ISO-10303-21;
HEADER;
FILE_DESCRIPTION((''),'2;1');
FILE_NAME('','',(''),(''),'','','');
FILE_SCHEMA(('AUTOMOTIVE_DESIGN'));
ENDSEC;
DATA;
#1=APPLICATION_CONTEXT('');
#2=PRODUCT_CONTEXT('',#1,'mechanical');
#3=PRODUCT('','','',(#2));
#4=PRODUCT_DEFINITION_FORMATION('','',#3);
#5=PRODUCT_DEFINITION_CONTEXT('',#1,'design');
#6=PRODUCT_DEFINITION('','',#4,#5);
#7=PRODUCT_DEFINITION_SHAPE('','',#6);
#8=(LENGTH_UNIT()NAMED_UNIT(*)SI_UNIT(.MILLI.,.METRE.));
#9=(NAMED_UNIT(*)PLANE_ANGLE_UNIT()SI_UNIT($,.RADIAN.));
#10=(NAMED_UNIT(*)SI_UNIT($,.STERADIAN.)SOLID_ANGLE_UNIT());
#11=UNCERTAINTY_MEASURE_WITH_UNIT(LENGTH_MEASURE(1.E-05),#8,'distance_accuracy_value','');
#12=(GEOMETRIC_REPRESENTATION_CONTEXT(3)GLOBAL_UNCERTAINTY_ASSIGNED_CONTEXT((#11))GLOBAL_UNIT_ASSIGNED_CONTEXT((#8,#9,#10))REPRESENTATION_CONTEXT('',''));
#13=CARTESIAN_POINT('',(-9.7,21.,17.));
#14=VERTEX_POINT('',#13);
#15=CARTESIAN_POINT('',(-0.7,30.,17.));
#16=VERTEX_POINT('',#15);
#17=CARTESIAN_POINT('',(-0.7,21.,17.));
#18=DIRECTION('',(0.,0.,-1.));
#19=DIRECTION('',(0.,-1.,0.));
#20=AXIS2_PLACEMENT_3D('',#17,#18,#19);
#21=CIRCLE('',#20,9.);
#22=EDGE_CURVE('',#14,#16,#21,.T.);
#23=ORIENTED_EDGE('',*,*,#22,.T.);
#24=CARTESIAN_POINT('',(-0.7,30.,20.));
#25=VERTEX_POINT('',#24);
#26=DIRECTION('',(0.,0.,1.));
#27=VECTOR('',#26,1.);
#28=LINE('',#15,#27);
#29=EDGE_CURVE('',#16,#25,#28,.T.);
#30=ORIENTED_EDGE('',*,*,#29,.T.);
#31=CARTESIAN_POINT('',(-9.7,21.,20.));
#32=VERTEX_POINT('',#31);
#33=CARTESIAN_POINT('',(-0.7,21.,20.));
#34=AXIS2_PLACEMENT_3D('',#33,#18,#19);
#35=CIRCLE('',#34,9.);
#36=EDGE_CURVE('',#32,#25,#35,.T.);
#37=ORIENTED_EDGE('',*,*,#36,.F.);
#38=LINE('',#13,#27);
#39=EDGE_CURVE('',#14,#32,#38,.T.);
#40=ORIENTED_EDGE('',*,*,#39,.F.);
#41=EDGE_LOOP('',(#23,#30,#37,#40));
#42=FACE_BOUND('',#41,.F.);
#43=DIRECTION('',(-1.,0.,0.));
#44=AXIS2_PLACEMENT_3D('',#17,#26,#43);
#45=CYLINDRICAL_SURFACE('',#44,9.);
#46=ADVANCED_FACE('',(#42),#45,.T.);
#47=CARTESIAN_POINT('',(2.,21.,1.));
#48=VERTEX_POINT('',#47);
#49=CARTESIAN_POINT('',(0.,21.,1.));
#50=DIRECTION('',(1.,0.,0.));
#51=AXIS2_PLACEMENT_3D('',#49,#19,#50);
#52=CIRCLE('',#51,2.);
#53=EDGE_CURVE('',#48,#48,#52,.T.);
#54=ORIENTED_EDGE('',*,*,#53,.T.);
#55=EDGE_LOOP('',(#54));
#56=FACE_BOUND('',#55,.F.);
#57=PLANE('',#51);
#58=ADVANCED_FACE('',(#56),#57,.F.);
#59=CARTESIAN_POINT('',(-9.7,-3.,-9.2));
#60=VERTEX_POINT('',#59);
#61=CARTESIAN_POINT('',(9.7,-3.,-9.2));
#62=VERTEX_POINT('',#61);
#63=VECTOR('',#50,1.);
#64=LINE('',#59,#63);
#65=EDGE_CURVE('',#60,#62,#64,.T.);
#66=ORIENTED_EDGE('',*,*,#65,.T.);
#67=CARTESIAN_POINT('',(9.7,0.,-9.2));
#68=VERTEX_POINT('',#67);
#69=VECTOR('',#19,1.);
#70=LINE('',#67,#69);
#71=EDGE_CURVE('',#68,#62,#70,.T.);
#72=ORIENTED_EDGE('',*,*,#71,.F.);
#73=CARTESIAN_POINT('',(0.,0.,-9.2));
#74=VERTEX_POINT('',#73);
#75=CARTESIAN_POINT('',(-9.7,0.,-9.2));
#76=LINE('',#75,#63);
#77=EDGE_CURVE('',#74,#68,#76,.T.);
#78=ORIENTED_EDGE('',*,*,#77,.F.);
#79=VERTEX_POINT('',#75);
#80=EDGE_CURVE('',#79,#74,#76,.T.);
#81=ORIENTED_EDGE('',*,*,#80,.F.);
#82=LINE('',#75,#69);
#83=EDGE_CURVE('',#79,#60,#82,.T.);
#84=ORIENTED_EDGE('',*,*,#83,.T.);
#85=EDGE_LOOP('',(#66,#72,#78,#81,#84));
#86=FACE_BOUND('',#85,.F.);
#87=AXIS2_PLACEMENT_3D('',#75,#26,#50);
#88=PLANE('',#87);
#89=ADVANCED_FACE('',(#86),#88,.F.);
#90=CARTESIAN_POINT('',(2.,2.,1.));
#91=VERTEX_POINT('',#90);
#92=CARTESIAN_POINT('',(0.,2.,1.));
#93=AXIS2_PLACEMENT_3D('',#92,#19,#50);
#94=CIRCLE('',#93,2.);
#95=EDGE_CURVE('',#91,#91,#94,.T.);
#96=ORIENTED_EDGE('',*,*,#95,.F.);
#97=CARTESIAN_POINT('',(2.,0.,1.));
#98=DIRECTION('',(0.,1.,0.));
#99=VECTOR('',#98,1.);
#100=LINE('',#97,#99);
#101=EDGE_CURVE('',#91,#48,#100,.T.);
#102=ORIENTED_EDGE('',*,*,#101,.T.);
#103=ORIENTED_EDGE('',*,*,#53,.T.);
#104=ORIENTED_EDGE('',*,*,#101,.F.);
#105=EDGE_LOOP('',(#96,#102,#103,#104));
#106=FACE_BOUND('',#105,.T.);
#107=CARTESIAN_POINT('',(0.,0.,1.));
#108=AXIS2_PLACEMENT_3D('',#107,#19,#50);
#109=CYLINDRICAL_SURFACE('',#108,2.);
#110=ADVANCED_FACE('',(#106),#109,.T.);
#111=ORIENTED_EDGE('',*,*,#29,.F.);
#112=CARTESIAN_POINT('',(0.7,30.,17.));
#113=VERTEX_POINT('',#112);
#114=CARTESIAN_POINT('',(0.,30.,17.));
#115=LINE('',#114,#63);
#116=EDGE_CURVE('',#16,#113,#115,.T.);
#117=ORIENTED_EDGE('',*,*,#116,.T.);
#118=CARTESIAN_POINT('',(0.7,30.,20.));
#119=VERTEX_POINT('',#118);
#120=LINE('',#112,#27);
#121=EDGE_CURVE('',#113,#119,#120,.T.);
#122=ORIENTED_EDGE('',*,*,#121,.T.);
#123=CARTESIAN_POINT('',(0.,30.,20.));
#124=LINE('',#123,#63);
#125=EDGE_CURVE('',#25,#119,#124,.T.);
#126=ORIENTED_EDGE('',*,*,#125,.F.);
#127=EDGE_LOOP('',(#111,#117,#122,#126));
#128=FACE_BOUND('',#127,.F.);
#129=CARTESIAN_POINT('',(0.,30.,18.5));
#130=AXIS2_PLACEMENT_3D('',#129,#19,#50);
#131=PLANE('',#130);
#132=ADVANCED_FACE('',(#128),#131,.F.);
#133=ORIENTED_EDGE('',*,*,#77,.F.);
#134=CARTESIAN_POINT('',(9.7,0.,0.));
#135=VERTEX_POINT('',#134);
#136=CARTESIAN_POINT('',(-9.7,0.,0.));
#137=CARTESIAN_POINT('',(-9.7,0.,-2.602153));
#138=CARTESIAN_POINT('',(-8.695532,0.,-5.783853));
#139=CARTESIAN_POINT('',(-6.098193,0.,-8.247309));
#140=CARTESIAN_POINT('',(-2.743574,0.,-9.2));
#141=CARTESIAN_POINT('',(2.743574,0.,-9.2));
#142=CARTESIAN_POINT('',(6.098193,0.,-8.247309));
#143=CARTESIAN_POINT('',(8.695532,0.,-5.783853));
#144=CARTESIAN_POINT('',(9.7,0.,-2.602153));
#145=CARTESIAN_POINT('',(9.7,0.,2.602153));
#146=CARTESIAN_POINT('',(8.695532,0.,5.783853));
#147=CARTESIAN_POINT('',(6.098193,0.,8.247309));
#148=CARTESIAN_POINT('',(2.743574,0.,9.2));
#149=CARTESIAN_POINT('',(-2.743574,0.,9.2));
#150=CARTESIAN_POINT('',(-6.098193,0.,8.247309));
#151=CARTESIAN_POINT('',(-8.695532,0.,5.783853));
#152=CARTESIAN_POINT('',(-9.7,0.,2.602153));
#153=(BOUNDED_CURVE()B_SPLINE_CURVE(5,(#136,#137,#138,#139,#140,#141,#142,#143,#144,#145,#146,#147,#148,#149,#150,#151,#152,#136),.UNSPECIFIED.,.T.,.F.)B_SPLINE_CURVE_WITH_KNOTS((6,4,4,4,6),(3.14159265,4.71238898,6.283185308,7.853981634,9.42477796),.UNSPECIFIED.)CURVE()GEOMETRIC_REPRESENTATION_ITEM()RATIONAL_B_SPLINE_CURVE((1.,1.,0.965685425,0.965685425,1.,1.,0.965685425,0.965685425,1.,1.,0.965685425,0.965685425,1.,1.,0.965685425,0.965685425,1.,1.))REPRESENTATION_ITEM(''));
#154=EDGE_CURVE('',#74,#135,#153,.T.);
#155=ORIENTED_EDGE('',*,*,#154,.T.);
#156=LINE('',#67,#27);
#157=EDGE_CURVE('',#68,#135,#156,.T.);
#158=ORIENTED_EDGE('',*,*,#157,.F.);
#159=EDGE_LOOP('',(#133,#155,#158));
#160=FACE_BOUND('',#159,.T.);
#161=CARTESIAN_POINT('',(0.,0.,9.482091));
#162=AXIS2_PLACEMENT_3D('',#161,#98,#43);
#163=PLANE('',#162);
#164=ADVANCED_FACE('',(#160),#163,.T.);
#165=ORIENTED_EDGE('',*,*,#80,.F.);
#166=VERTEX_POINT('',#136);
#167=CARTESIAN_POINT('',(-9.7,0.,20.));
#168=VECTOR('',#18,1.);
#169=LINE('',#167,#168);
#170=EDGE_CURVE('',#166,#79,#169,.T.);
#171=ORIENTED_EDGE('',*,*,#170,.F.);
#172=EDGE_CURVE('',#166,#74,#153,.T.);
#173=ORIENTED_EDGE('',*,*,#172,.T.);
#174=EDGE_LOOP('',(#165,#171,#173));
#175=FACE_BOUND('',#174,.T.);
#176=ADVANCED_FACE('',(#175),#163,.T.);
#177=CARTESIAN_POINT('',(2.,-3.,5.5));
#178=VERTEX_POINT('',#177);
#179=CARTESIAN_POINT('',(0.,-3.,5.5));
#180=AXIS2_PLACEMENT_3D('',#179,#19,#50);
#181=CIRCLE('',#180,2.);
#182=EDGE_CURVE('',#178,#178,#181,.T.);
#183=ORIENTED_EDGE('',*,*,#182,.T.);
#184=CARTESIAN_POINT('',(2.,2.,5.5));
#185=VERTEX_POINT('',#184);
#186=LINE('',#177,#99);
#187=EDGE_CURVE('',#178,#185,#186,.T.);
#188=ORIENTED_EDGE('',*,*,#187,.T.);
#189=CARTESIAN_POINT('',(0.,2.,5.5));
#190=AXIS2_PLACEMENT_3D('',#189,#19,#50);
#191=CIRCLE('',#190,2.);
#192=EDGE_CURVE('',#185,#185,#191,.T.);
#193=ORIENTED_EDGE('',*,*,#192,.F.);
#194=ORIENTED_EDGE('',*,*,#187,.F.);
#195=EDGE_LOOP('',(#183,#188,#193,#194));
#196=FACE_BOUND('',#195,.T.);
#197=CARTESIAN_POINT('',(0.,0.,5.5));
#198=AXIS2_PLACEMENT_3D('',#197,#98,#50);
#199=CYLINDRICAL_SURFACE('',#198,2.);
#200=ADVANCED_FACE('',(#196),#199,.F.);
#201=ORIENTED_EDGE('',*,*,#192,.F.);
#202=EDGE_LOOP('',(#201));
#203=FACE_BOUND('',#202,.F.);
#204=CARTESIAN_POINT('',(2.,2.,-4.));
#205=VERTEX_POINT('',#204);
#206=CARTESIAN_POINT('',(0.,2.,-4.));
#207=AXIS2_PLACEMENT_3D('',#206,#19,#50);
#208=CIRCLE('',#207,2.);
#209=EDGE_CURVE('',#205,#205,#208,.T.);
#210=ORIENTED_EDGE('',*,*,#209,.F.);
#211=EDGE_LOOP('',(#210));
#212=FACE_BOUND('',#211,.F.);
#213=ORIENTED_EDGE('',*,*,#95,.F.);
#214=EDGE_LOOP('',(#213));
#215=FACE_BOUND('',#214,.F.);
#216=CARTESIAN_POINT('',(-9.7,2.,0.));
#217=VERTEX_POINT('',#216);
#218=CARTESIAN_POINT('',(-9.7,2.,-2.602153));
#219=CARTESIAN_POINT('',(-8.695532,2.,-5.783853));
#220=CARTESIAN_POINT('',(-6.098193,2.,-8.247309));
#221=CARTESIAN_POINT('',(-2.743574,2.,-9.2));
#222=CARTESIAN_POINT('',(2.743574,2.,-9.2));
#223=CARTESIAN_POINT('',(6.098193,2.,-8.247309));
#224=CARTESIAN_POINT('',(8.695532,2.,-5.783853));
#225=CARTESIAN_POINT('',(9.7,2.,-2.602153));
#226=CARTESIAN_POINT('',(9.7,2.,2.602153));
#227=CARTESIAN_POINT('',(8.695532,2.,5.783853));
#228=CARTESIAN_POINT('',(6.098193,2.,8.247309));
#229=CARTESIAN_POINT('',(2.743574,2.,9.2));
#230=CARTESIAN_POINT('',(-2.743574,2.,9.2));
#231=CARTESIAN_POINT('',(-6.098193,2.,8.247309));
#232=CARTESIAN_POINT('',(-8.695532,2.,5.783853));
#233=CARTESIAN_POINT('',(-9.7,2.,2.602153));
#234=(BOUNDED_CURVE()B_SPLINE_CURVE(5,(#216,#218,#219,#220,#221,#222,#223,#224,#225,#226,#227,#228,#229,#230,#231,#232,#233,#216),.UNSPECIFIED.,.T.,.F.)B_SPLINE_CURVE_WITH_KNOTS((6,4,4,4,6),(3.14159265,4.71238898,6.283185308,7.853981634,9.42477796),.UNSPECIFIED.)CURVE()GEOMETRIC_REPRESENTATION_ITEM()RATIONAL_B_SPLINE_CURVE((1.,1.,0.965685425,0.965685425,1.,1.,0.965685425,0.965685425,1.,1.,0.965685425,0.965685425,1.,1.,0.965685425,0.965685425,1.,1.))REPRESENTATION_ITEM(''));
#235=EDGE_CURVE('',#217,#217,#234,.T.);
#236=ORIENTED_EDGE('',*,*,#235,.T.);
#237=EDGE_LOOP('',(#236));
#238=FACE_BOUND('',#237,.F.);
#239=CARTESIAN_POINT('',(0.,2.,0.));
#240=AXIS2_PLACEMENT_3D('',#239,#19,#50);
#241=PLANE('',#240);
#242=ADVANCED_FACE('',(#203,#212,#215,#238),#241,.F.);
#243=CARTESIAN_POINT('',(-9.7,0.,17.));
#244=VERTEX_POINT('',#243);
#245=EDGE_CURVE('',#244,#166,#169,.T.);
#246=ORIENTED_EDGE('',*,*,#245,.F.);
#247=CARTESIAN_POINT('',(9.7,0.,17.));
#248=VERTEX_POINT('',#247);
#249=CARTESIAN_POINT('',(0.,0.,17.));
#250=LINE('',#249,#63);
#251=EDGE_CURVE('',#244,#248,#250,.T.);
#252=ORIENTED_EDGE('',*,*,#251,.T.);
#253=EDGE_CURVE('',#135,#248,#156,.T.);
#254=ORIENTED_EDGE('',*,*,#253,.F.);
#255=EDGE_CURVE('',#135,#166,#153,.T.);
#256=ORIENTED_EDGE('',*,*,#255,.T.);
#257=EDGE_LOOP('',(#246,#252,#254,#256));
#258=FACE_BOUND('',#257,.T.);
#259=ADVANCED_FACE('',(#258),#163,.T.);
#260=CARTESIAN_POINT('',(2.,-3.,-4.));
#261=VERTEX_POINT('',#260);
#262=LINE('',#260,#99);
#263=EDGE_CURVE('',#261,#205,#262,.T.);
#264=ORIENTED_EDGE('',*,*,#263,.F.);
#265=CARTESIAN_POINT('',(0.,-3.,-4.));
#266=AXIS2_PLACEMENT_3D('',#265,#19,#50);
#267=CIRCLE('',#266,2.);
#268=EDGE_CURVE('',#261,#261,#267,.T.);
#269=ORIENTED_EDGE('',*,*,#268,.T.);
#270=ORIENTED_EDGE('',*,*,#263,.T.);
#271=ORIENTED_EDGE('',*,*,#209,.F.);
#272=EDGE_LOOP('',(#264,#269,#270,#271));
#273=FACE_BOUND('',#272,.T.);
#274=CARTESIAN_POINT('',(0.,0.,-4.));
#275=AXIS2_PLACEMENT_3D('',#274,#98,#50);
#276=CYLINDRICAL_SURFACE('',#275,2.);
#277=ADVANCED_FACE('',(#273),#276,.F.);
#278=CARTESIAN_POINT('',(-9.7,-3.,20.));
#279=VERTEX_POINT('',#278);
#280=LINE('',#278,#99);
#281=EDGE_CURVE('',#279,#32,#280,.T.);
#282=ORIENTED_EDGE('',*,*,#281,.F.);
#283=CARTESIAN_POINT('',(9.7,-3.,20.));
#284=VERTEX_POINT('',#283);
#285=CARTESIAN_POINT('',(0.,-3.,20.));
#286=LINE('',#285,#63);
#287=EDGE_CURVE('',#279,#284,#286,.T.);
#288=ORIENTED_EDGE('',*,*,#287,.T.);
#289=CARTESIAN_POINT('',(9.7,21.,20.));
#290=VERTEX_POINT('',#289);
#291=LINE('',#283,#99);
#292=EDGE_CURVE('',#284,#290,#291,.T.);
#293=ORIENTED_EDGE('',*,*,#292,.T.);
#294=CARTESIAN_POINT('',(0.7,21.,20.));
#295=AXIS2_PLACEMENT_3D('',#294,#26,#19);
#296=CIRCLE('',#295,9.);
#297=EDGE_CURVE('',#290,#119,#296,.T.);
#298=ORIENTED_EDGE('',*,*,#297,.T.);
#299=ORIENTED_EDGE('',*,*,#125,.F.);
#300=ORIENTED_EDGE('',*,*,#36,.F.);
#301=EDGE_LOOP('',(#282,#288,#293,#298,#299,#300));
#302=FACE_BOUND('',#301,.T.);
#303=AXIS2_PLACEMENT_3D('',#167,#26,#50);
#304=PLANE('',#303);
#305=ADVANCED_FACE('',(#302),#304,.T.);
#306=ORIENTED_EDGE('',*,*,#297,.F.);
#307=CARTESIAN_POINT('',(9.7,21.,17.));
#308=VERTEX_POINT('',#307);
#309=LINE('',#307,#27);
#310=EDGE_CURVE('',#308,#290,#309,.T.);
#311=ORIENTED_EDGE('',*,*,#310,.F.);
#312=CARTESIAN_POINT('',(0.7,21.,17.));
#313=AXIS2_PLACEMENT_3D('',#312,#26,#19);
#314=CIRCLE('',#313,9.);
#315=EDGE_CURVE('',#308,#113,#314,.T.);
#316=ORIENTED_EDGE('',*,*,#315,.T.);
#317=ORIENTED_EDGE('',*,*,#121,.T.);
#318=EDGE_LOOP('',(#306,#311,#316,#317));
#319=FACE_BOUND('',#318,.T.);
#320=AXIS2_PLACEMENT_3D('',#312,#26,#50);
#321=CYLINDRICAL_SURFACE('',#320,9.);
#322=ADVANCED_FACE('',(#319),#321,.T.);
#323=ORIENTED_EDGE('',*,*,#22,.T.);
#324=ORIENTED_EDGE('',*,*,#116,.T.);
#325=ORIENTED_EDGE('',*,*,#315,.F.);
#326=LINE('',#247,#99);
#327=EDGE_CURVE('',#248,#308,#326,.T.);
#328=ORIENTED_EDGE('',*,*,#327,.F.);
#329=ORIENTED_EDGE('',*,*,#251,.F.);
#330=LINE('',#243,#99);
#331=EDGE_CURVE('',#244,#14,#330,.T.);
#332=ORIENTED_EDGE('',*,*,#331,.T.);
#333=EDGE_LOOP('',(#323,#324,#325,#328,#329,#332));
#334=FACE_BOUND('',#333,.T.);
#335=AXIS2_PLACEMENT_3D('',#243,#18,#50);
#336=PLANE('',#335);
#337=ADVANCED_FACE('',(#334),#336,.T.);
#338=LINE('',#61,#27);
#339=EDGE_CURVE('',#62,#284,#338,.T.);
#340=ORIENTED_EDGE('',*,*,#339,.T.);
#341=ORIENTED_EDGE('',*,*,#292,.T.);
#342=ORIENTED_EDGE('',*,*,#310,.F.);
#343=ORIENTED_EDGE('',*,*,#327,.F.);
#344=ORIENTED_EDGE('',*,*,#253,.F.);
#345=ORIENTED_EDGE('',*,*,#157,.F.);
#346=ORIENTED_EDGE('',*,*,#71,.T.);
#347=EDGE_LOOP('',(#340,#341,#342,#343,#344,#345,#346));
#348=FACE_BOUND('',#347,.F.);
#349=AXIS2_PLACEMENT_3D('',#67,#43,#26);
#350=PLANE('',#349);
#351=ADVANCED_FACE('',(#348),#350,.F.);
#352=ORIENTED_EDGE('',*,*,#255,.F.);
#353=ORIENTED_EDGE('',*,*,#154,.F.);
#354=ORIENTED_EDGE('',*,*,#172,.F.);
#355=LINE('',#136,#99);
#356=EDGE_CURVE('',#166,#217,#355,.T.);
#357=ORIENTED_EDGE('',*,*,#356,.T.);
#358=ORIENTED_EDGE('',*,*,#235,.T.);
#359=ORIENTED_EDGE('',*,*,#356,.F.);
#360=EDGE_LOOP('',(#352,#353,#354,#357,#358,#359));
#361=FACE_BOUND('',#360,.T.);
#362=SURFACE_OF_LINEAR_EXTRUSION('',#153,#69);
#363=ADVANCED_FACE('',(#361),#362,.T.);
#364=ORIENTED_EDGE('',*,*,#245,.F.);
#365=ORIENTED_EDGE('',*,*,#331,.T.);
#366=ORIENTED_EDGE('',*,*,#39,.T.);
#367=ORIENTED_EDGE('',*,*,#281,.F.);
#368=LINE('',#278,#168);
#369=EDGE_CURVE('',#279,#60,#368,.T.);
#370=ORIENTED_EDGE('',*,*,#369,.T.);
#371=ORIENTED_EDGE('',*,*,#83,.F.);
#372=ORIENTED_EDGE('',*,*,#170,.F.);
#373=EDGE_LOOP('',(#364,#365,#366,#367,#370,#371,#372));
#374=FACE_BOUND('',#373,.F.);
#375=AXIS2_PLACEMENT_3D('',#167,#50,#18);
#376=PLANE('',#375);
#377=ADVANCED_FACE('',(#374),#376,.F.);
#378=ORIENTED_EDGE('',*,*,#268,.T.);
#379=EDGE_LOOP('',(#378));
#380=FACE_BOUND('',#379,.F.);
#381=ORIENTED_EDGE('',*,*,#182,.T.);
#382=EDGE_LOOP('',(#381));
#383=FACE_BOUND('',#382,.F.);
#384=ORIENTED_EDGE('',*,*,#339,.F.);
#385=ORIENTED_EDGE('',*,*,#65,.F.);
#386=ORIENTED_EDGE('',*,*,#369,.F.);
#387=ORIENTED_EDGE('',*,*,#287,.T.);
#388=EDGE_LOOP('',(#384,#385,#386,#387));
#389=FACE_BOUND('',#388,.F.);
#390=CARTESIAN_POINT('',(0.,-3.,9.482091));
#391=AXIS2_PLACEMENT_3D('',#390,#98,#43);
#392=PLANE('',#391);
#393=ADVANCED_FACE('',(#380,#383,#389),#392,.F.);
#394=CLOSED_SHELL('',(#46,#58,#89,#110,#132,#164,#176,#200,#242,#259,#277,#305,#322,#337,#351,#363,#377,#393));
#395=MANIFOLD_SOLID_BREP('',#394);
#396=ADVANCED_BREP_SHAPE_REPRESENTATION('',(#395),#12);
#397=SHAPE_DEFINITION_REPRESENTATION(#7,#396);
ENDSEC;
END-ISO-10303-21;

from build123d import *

# Parameters (mm, degrees)
F0_W     = 19.4
F0_H     = 3
F1_DEPTH = 30
F0_R     = 2
F2_DEPTH = 3
F3_DEPTH = 2
F4_DEPTH = 21
F5_R     = 9


with BuildPart() as f1:
    # F0 (on Front) → F1 (new body)
    with BuildSketch(Plane.XZ):
        with Locations((0, 18.5)):
            Rectangle(F0_W, F0_H)
    extrude(amount=-F1_DEPTH)

    # F0 (on Front) → F2 (join)
    with BuildSketch(Plane.XZ):
        with BuildLine():
            add(Edge.make_bspline(
                [(9.7, 0), (9.7, 9.1999999828), (1.82e-08, 9.2), (-9.6999999637, 9.2000000172), (-9.7, 3.44e-08)],
                knots=[0, 0, 0, 1.5707963249, 1.5707963249, 3.1415926498, 3.1415926498, 3.1415926498], degree=2, weights=[1, 0.7071067818, 1, 0.7071067818, 1]))
            Line((9.7, 0), (9.7, 17))
            Line((9.7, 17), (-9.7, 17))
            Line((-9.7, 17), (-9.7, 3.44e-08))
        make_face()
        with Locations((0, 18.5)):
            Rectangle(F0_W, F0_H)
        with BuildLine():
            Line((9.7, -9.2), (9.7, 0))
            add(Edge.make_bspline(
                [(0, -9.2), (9.7, -9.2), (9.7, 0)],
                knots=[4.7123889804, 4.7123889804, 4.7123889804, 6.2831853072, 6.2831853072, 6.2831853072], degree=2, weights=[1, 0.7071067812, 1]))
            Line((0, -9.2), (9.7, -9.2))
        make_face()
        with BuildLine():
            add(Edge.make_bspline(
                [(-9.7, 3.44e-08), (-9.7000000363, -9.2), (0, -9.2)],
                knots=[3.1415926498, 3.1415926498, 3.1415926498, 4.7123889804, 4.7123889804, 4.7123889804], degree=2, weights=[1, 0.7071067799, 1]))
            Line((-9.7, 3.44e-08), (-9.7, -9.2))
            Line((-9.7, -9.2), (0, -9.2))
        make_face()
        with BuildLine():
            add(Edge.make_bspline(
                [(0, -9.2), (9.7, -9.2), (9.7, 0)],
                knots=[4.7123889804, 4.7123889804, 4.7123889804, 6.2831853072, 6.2831853072, 6.2831853072], degree=2, weights=[1, 0.7071067812, 1]))
            add(Edge.make_bspline(
                [(9.7, 0), (9.7, 9.1999999828), (1.82e-08, 9.2), (-9.6999999637, 9.2000000172), (-9.7, 3.44e-08)],
                knots=[0, 0, 0, 1.5707963249, 1.5707963249, 3.1415926498, 3.1415926498, 3.1415926498], degree=2, weights=[1, 0.7071067818, 1, 0.7071067818, 1]))
            add(Edge.make_bspline(
                [(-9.7, 3.44e-08), (-9.7000000363, -9.2), (0, -9.2)],
                knots=[3.1415926498, 3.1415926498, 3.1415926498, 4.7123889804, 4.7123889804, 4.7123889804], degree=2, weights=[1, 0.7071067799, 1]))
        make_face()
        with Locations((0, -4)):
            Circle(F0_R, mode=Mode.SUBTRACT)
        with Locations((0, 1)):
            Circle(F0_R, mode=Mode.SUBTRACT)
        with Locations((0, 5.5)):
            Circle(F0_R, mode=Mode.SUBTRACT)
        with Locations((0, 1)):
            Circle(F0_R)
    extrude(amount=F2_DEPTH)

    # F0 (on Front) → F3 (join)
    with BuildSketch(Plane.XZ):
        with BuildLine():
            add(Edge.make_bspline(
                [(0, -9.2), (9.7, -9.2), (9.7, 0)],
                knots=[4.7123889804, 4.7123889804, 4.7123889804, 6.2831853072, 6.2831853072, 6.2831853072], degree=2, weights=[1, 0.7071067812, 1]))
            add(Edge.make_bspline(
                [(9.7, 0), (9.7, 9.1999999828), (1.82e-08, 9.2), (-9.6999999637, 9.2000000172), (-9.7, 3.44e-08)],
                knots=[0, 0, 0, 1.5707963249, 1.5707963249, 3.1415926498, 3.1415926498, 3.1415926498], degree=2, weights=[1, 0.7071067818, 1, 0.7071067818, 1]))
            add(Edge.make_bspline(
                [(-9.7, 3.44e-08), (-9.7000000363, -9.2), (0, -9.2)],
                knots=[3.1415926498, 3.1415926498, 3.1415926498, 4.7123889804, 4.7123889804, 4.7123889804], degree=2, weights=[1, 0.7071067799, 1]))
        make_face()
        with Locations((0, -4)):
            Circle(F0_R, mode=Mode.SUBTRACT)
        with Locations((0, 1)):
            Circle(F0_R, mode=Mode.SUBTRACT)
        with Locations((0, 5.5)):
            Circle(F0_R, mode=Mode.SUBTRACT)
    extrude(amount=-F3_DEPTH)

    # F0 (on Front) → F4 (join)
    with BuildSketch(Plane.XZ):
        with Locations((0, 1)):
            Circle(F0_R)
    extrude(amount=-F4_DEPTH)

    # F5
    f5_edges = [f1.edges().sort_by_distance(p)[0] for p in [
        (-9.7, 30, 18.5),
        (9.7, 30, 18.5),
    ]]
    fillet(f5_edges, radius=F5_R)


solid = f1.part
